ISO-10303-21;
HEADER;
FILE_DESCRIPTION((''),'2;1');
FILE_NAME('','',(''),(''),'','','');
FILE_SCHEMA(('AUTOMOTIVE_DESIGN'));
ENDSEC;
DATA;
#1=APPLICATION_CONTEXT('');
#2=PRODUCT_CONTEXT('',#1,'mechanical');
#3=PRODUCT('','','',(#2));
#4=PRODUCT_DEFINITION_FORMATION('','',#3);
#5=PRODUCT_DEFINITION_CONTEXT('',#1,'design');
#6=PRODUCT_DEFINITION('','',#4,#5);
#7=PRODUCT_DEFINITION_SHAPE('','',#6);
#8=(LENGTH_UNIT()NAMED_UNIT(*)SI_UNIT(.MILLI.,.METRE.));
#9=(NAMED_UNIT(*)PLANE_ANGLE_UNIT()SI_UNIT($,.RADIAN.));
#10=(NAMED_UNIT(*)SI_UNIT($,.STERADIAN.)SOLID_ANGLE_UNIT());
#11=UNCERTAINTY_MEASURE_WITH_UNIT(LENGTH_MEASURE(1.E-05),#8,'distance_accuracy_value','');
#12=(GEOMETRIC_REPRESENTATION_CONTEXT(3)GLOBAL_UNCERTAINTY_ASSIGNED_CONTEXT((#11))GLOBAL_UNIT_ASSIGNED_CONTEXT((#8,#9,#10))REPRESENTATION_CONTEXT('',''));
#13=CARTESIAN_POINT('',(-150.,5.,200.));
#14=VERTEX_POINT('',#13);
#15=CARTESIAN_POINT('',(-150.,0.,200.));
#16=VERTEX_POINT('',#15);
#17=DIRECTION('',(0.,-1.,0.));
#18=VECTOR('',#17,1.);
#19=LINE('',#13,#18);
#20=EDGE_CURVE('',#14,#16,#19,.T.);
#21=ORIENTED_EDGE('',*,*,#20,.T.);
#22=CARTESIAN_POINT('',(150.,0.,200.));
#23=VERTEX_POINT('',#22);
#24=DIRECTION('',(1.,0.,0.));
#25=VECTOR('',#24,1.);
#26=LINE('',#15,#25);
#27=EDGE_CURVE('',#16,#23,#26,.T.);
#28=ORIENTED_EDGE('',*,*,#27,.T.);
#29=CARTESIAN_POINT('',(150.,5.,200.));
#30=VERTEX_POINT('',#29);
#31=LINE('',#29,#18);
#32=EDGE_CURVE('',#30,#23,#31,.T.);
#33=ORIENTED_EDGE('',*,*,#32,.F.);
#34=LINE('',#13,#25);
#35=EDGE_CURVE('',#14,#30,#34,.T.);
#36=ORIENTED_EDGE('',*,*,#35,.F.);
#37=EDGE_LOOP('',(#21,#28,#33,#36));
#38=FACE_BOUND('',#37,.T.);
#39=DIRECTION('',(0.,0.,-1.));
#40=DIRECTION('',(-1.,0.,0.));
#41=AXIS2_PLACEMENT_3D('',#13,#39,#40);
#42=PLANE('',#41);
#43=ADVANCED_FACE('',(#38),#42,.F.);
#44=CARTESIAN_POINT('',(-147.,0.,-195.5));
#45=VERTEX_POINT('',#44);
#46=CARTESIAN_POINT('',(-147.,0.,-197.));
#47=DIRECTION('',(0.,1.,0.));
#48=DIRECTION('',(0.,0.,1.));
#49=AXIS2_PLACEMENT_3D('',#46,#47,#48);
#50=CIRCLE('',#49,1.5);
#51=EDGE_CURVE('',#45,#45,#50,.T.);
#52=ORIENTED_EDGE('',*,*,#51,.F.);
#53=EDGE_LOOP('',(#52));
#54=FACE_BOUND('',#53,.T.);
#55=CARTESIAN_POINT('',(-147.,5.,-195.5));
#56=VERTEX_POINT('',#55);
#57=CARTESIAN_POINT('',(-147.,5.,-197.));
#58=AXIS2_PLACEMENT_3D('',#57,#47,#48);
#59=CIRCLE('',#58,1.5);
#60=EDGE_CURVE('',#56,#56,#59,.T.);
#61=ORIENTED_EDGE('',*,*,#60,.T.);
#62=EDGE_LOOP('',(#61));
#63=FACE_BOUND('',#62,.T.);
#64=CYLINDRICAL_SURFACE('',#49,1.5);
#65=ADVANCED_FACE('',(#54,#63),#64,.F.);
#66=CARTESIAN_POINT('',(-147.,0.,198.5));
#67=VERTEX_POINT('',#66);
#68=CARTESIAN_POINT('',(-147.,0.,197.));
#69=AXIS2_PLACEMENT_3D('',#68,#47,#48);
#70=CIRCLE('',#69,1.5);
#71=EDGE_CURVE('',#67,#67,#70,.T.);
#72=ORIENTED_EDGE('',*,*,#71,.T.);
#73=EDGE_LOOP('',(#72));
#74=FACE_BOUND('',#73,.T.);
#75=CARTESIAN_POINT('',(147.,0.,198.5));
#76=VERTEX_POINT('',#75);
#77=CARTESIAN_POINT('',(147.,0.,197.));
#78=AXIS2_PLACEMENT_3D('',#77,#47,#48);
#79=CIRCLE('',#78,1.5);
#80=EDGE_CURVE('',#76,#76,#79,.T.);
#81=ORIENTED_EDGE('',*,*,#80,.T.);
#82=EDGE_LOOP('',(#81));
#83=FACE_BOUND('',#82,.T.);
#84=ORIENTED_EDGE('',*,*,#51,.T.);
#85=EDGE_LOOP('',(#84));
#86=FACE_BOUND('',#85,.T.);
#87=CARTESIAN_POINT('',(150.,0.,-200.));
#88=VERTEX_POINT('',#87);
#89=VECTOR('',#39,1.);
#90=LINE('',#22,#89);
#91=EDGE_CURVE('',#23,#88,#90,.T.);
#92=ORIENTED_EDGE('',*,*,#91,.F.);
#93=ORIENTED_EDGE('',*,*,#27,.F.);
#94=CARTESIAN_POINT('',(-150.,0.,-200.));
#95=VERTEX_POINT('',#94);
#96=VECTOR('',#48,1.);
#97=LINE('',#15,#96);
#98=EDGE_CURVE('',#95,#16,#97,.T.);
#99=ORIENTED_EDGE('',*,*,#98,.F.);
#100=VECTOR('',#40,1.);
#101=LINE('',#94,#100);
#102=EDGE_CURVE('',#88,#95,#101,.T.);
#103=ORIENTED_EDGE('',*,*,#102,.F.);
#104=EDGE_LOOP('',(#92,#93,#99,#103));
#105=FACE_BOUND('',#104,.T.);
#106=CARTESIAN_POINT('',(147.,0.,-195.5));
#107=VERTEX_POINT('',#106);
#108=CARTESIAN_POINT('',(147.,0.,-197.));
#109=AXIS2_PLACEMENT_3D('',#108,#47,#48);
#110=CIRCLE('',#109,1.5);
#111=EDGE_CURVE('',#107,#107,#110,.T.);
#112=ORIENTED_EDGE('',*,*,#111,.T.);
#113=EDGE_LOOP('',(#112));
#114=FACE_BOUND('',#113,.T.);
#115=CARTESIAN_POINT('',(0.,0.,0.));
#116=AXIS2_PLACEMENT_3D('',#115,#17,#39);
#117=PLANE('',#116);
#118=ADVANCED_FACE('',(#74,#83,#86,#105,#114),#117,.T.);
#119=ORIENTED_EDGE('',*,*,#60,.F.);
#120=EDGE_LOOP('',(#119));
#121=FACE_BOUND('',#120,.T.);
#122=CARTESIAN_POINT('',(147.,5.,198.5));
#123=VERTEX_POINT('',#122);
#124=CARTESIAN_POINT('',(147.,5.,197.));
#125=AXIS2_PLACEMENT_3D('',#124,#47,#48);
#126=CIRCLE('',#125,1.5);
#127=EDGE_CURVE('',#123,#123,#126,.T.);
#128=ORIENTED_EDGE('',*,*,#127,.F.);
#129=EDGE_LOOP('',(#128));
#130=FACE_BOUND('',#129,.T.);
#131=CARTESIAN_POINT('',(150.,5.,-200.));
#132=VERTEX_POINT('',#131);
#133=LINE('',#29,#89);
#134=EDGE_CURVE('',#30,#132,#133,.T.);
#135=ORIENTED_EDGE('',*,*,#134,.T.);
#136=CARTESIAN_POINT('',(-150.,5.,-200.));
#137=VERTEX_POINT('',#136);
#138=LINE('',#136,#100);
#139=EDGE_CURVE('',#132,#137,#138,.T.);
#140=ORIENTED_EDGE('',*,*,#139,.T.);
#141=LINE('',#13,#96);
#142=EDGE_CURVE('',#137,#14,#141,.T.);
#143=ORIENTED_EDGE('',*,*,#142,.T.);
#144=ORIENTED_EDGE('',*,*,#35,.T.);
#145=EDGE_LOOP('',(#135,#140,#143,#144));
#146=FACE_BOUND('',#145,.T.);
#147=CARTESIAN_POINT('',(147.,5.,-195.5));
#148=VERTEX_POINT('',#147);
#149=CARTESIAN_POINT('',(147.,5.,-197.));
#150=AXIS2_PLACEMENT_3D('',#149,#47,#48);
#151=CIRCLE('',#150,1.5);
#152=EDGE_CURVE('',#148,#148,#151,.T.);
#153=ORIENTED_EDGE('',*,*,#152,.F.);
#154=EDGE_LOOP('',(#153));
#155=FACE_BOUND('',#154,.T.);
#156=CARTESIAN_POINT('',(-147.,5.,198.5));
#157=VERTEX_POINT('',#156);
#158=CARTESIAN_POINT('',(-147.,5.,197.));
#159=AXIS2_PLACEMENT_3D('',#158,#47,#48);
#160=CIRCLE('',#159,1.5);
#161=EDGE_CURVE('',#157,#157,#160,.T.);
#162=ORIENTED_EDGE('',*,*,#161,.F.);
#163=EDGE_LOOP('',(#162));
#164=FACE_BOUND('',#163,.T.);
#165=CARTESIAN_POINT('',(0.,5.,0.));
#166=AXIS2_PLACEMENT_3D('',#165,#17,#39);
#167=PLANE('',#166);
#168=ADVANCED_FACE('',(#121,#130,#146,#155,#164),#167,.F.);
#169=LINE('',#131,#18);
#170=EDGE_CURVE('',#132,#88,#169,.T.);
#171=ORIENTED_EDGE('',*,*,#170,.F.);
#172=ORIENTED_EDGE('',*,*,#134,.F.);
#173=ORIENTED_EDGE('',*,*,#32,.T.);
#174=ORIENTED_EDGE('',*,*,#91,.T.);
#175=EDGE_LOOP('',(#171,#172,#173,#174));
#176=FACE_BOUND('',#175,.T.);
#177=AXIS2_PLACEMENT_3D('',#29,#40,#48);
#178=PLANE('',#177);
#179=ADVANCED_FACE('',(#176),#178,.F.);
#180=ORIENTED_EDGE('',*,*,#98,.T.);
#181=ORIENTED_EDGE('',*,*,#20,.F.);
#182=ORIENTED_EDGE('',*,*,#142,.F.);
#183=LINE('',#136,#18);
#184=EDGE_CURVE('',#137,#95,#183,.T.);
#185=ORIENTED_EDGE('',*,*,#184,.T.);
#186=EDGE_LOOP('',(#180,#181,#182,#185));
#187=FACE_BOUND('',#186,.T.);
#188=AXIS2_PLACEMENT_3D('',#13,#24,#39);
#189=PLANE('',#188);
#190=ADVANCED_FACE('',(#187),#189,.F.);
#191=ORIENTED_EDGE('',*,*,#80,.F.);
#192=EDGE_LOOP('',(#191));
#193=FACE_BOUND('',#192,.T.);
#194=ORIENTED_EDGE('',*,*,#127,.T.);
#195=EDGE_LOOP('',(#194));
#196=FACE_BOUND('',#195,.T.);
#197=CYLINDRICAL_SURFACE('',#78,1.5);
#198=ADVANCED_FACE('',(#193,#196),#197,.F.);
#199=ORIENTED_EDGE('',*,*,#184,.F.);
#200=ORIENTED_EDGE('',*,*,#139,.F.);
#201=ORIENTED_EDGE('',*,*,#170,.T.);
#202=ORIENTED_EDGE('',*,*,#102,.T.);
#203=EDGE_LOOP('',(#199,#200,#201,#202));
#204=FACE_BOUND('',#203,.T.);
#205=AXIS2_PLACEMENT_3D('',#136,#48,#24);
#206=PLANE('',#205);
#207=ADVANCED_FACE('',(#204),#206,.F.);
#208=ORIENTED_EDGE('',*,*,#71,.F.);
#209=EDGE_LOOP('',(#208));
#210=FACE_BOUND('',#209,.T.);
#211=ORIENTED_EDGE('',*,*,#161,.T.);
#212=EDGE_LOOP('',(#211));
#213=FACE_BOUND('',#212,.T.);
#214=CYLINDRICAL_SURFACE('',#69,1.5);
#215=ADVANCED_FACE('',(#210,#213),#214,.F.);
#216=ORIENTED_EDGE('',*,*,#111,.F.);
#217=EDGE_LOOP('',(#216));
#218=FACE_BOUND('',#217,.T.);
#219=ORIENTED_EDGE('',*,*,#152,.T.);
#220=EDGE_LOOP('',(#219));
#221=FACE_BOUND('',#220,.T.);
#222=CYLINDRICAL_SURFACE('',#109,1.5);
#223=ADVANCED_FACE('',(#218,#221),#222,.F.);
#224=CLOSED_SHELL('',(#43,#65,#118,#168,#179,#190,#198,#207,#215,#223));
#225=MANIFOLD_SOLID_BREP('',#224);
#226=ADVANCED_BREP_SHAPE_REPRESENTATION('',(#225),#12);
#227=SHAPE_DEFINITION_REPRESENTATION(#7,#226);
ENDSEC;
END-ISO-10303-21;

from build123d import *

# Parameters (mm, degrees)
SKETCH_1_W          = 300
SKETCH_1_H          = 400
EXTRUDE_1_DEPTH     = 5
SKETCH_2_R          = 1.5
CUT_EXTRUDE_1_DEPTH = 5


with BuildPart() as part:
    # Эскиз1 → Бобышка-Вытянуть1 (new body)
    with BuildSketch(Plane(origin=(0, 0, 0), x_dir=(1, 0, 0), z_dir=(0, 1, 0))):
        Rectangle(SKETCH_1_W, SKETCH_1_H)
    extrude(amount=EXTRUDE_1_DEPTH)

    # Эскиз2 → Вырез-Вытянуть1 (cut)
    with BuildSketch(Plane(origin=(0, 5, 0), x_dir=(1, 0, 0), z_dir=(0, 1, 0))):
        with Locations((-147, 197)):
            Circle(SKETCH_2_R)
        with Locations((147, 197)):
            Circle(SKETCH_2_R)
        with Locations((147, -197)):
            Circle(SKETCH_2_R)
        with Locations((-147, -197)):
            Circle(SKETCH_2_R)
    extrude(amount=-CUT_EXTRUDE_1_DEPTH, mode=Mode.SUBTRACT)


solid = part.part
